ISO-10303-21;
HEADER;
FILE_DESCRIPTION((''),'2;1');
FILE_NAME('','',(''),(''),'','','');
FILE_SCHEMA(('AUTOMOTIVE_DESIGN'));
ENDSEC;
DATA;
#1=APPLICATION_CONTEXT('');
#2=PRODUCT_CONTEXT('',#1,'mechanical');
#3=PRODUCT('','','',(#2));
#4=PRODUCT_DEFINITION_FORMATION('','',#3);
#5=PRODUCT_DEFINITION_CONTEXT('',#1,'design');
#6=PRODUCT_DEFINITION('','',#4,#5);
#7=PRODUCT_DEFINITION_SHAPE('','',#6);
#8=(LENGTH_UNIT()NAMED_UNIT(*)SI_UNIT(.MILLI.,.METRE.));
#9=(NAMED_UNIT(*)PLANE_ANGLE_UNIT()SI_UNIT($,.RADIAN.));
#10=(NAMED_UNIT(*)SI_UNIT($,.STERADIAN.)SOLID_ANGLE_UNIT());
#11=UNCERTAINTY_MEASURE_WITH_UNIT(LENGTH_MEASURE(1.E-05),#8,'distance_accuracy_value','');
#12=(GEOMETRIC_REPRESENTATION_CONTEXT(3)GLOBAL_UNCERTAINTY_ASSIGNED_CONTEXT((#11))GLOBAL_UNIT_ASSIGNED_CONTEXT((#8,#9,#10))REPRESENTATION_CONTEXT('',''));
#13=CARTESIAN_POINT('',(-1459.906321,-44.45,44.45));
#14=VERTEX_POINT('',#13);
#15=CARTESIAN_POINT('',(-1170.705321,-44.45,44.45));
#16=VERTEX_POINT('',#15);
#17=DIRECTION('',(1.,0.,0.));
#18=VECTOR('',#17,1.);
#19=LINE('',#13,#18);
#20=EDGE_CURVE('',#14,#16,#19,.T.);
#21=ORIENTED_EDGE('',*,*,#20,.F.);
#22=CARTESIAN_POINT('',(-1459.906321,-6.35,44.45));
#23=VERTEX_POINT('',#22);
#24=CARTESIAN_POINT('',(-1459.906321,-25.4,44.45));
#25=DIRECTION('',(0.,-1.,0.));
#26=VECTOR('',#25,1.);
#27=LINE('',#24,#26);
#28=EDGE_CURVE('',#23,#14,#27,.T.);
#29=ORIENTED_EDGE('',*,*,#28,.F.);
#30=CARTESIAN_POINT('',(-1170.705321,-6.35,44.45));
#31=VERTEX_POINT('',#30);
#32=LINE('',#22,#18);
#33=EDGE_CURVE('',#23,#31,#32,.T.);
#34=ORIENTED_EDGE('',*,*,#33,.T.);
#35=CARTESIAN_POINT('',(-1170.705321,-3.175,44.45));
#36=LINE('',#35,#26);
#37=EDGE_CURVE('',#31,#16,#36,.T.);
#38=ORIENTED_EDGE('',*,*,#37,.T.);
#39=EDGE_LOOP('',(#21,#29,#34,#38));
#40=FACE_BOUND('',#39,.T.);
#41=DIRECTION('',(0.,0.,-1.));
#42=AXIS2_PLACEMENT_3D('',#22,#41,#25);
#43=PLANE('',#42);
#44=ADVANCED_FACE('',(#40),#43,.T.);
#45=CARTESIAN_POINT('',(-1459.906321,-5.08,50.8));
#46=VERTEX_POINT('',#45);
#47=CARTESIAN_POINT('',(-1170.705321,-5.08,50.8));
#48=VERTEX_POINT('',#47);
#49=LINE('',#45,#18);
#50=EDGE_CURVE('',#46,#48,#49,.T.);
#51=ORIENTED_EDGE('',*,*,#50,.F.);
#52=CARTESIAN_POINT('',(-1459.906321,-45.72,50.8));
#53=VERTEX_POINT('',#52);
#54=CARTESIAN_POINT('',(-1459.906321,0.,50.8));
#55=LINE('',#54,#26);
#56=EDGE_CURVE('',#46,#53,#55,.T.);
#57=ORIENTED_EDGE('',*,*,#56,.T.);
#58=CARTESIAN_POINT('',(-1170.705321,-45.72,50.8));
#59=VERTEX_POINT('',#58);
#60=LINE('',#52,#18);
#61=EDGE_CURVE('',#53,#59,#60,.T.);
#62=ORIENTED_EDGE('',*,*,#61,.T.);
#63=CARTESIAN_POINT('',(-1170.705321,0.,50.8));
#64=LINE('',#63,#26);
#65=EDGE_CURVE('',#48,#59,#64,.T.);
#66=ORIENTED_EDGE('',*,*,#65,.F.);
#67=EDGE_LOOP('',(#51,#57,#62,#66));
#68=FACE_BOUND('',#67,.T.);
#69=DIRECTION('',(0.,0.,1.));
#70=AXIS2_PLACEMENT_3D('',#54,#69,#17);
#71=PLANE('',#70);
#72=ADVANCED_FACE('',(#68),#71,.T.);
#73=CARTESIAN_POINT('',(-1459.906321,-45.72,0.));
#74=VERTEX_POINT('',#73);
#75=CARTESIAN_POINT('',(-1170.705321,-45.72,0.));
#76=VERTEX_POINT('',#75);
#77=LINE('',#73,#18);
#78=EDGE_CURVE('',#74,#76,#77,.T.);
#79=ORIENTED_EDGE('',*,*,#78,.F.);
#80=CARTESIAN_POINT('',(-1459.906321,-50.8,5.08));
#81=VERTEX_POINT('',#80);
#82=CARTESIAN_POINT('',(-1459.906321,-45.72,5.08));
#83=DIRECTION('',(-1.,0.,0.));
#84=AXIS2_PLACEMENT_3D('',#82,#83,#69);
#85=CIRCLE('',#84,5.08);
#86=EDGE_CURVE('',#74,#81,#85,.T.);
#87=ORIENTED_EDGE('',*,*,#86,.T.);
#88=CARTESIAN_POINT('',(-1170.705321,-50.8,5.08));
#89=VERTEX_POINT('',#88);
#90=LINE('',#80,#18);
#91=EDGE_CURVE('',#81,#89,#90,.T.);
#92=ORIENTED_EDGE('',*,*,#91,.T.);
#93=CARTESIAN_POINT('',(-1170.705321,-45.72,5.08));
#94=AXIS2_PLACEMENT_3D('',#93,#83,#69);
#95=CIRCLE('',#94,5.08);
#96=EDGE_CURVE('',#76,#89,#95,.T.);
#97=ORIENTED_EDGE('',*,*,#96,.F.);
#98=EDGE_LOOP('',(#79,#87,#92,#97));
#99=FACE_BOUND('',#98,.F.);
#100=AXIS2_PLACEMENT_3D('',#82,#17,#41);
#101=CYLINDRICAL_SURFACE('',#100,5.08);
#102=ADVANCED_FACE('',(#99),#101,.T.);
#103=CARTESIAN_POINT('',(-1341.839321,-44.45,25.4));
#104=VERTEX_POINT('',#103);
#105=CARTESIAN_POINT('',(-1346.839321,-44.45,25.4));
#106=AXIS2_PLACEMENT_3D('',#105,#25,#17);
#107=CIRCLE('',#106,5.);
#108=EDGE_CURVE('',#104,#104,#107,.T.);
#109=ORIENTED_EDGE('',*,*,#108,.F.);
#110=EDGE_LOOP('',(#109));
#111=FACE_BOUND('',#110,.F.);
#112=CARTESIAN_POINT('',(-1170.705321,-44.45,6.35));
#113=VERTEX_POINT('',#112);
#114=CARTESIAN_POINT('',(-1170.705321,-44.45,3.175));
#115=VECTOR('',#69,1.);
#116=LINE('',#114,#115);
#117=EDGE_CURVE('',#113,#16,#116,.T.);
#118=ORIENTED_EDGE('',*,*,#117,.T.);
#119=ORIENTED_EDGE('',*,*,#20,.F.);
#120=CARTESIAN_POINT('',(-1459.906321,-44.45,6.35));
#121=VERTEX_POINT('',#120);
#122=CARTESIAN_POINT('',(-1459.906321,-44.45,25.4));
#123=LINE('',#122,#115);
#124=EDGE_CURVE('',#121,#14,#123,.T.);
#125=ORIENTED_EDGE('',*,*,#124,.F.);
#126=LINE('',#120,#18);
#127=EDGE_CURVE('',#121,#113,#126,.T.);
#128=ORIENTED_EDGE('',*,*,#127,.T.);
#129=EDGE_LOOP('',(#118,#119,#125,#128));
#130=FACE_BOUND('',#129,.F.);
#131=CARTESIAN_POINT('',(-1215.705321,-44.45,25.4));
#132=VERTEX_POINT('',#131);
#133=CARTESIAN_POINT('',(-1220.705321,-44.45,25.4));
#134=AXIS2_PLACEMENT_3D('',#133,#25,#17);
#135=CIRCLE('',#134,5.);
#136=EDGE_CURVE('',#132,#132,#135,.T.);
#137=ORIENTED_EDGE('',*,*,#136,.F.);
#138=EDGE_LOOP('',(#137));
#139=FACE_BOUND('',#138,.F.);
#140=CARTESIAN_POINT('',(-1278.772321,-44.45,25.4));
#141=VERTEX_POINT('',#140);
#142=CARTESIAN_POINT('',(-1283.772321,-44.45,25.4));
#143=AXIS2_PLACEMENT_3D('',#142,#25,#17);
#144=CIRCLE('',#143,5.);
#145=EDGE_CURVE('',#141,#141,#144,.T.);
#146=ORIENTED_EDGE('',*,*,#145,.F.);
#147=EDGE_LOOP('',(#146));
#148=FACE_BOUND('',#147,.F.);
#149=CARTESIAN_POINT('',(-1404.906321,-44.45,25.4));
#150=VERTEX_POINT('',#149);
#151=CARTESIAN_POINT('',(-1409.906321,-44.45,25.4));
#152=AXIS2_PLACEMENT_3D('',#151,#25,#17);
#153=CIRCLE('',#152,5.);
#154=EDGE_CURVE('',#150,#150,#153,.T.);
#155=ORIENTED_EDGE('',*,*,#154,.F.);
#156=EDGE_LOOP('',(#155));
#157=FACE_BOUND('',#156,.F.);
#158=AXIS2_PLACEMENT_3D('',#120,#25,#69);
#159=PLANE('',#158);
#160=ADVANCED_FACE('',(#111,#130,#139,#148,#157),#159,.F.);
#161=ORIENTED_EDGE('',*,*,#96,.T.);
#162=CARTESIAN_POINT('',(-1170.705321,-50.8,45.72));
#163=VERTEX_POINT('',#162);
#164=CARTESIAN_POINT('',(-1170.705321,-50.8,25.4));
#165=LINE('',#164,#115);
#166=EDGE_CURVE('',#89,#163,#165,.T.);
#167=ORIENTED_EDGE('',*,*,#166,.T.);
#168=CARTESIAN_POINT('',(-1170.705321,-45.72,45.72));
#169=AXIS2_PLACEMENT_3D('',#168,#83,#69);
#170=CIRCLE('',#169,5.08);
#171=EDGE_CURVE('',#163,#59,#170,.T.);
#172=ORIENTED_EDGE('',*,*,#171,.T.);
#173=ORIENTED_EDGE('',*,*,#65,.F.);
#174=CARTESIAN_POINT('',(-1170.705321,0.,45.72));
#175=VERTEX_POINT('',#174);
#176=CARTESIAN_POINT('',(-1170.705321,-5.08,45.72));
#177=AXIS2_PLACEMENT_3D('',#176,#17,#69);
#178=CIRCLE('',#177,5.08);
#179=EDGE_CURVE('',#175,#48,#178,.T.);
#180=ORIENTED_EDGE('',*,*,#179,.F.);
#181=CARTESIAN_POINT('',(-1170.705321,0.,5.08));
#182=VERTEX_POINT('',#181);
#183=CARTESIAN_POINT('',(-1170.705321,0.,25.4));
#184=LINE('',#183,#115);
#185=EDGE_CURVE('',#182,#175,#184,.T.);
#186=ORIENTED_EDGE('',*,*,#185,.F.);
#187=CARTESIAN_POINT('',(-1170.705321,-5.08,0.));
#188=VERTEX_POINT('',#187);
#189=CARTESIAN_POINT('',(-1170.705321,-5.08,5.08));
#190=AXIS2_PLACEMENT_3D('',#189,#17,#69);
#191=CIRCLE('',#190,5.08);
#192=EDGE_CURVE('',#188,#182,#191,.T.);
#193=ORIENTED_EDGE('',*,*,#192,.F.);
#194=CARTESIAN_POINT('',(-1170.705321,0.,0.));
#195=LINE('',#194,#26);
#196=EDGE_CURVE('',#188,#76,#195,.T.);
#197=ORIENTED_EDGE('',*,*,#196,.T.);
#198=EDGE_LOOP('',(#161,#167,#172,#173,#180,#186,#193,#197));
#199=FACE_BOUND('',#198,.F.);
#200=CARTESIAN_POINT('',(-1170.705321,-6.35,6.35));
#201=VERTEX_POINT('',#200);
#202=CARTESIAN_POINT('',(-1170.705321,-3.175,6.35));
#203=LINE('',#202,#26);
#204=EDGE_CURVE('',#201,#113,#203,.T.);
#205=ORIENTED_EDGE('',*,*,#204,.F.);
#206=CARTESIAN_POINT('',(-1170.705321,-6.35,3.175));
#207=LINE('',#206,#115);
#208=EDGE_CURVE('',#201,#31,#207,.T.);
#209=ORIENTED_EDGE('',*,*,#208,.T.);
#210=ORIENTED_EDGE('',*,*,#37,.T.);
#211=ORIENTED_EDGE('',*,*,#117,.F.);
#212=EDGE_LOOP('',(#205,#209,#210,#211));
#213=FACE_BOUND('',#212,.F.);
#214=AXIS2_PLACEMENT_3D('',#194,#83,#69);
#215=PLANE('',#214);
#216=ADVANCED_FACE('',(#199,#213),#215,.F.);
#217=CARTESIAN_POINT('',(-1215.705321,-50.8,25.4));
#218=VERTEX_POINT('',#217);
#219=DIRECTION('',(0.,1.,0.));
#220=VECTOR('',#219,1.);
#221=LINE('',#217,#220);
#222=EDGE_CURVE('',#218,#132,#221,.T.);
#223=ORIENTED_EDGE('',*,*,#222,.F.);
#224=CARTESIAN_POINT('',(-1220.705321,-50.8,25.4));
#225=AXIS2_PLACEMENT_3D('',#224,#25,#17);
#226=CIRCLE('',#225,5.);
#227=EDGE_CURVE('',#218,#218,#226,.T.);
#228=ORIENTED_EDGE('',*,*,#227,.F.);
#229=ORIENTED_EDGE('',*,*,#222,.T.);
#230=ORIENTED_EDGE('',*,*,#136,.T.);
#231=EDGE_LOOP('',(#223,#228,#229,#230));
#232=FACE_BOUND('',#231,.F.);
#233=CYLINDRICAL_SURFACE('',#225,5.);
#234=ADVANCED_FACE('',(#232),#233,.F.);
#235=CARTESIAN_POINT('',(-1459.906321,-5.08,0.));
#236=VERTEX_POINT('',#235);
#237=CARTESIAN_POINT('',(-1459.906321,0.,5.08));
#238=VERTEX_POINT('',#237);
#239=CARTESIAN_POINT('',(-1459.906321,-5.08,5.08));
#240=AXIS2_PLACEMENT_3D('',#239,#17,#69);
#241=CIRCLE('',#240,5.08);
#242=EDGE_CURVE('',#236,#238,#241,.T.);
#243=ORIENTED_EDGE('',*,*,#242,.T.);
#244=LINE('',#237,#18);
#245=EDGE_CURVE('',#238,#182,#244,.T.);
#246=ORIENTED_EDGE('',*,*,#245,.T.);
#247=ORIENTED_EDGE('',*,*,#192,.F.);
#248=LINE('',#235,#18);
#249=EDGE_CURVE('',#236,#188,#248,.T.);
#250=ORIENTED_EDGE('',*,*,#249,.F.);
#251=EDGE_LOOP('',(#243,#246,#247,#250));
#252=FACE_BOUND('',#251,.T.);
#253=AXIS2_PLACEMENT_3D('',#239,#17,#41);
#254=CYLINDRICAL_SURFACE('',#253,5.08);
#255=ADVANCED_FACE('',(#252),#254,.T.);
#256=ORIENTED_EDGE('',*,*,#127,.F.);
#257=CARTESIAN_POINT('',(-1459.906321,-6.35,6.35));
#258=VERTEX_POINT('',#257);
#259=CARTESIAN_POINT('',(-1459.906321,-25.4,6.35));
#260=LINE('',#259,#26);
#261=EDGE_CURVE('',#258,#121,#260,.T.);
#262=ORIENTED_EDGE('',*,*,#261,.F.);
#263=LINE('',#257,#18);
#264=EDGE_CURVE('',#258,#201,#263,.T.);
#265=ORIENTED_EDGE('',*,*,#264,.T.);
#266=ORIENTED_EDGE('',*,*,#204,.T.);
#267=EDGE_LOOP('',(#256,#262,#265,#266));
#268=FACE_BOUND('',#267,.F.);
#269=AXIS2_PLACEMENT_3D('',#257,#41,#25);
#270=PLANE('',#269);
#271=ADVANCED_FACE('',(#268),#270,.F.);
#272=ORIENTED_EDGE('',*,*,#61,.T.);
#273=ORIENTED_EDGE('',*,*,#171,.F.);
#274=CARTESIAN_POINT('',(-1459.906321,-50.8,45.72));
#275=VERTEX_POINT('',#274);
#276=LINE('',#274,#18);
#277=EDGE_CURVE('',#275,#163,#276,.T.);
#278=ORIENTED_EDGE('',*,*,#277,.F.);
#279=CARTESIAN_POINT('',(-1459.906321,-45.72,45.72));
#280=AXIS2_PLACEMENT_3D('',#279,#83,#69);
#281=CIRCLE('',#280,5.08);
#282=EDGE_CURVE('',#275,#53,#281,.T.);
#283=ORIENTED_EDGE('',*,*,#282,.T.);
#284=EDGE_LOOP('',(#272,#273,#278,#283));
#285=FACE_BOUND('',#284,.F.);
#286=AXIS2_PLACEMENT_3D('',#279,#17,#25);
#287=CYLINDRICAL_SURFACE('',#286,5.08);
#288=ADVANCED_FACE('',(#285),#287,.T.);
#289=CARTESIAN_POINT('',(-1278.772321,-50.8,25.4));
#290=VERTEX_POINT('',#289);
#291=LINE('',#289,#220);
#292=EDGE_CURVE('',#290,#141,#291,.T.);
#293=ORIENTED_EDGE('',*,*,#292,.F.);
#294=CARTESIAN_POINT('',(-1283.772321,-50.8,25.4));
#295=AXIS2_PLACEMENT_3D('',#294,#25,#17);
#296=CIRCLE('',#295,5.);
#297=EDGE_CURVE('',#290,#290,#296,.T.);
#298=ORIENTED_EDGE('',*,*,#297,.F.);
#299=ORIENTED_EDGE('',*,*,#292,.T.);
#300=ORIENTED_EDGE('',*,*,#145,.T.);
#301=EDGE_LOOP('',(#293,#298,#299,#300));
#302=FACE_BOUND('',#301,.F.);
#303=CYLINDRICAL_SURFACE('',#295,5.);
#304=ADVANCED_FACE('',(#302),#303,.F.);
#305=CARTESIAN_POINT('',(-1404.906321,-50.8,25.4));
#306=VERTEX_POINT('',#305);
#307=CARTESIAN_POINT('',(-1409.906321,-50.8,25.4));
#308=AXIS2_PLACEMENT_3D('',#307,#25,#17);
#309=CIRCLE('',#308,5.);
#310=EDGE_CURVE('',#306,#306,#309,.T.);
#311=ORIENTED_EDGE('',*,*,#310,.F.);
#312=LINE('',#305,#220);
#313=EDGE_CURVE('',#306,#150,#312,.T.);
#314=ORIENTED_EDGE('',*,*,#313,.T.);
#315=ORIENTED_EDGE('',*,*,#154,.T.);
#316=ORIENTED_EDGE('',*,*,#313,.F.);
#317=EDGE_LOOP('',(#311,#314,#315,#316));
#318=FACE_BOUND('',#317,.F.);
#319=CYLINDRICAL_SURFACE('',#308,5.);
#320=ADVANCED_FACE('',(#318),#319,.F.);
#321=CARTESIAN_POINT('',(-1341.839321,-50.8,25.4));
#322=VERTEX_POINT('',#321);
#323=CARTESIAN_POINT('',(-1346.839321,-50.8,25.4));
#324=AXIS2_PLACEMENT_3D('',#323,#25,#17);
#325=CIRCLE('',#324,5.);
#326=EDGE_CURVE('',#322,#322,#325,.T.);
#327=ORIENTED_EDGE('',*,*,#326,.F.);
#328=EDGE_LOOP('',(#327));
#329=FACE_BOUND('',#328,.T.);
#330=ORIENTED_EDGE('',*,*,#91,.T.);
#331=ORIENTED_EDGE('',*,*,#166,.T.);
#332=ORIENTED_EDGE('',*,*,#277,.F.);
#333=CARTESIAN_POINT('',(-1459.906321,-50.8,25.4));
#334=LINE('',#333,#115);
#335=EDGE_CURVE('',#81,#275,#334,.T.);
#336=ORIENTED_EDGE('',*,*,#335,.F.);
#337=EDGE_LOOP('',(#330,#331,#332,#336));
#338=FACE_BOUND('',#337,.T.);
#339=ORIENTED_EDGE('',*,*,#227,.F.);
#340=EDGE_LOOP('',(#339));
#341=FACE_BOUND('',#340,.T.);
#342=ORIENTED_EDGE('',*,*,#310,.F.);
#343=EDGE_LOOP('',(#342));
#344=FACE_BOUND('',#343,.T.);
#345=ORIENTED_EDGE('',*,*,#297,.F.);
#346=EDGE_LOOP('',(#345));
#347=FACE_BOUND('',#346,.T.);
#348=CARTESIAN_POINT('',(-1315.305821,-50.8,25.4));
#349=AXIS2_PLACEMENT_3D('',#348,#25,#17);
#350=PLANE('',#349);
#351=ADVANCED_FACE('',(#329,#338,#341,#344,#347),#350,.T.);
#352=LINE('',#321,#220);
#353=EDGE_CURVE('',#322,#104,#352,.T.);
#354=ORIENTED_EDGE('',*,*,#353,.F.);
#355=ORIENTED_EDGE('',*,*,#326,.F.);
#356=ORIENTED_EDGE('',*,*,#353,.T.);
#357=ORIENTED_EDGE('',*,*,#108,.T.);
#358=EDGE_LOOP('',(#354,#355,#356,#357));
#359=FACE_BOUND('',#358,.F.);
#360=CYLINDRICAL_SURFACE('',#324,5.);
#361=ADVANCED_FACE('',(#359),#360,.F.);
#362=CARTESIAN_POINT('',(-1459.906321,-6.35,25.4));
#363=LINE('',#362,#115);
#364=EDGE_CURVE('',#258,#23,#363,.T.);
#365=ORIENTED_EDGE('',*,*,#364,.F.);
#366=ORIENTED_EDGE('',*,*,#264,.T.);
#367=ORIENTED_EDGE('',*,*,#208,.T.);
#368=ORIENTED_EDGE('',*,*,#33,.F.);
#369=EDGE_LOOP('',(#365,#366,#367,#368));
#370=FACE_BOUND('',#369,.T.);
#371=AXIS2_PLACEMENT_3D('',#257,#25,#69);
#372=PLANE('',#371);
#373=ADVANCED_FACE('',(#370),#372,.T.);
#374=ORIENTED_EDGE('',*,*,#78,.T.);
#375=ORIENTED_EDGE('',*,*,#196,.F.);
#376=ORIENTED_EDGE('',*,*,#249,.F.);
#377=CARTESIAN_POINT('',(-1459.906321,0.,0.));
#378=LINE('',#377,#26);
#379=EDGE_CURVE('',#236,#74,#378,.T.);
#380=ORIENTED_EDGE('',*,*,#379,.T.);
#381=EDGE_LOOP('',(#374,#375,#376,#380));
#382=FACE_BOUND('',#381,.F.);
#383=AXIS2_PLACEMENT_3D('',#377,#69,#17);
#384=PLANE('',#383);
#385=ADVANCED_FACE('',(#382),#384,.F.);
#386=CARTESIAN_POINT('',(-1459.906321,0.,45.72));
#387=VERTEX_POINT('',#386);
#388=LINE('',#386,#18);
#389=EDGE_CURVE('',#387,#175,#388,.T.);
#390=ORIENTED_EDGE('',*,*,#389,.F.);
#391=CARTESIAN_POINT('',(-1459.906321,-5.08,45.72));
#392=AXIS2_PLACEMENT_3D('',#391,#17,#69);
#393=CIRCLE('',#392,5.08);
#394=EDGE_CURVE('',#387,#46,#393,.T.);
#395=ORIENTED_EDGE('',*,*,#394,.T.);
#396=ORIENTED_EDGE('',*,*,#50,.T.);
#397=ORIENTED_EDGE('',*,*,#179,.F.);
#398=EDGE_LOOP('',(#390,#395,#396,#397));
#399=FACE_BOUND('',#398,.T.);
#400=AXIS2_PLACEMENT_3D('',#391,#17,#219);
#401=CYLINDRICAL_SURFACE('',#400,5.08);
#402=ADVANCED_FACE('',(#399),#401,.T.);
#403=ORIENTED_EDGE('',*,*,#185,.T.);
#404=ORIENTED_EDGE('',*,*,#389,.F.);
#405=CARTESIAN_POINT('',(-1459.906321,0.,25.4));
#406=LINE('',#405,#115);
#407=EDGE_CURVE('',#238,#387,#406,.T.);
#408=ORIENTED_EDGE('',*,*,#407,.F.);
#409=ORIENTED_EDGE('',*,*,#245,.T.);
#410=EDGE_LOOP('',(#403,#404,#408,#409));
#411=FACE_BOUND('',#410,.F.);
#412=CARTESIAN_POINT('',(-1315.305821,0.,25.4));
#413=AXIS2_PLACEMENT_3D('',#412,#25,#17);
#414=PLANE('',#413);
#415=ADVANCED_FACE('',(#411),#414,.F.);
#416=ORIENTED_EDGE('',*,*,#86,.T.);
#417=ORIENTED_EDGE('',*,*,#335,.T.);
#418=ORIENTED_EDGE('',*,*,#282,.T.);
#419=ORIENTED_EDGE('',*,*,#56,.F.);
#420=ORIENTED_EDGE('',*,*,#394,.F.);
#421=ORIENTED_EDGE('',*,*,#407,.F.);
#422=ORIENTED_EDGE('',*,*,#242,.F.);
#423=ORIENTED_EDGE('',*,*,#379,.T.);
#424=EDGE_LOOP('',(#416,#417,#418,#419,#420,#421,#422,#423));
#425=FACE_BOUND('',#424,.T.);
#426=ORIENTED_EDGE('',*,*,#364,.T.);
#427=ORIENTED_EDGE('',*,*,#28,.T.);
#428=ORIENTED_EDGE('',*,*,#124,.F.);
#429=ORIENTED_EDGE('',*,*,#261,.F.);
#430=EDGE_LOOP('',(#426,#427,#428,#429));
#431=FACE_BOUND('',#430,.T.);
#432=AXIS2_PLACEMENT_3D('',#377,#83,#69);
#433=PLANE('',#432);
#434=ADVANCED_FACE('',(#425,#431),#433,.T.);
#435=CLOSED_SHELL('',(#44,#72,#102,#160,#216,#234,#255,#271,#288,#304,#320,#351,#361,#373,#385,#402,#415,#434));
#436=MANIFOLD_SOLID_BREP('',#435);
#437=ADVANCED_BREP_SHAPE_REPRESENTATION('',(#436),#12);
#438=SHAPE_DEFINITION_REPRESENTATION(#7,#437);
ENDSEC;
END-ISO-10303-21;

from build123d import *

# Parameters (mm, degrees)
F0_W     = 289.201
F0_H     = 50.8
F1_DEPTH = 50.8
F2_R     = 5
F3_DEPTH = 25.4
F4_W     = 38.1
F4_H     = 38.1
F5_DEPTH = 289.202
F6_R     = 5.08


with BuildPart() as f1:
    # F0 (on Front) → F1 (new body)
    with BuildSketch(Plane.XZ):
        with Locations((-1315.305821, 25.4)):
            Rectangle(F0_W, F0_H)
    extrude(amount=F1_DEPTH)

    # F2 (on face) → F3 (cut)
    with BuildSketch(Plane.XZ.offset(50.8)):
        with Locations((-1346.839321, 25.4)):
            Circle(F2_R)
        with Locations((-1220.705321, 25.4)):
            Circle(F2_R)
        with Locations((-1283.772321, 25.4)):
            Circle(F2_R)
        with Locations((-1409.906321, 25.4)):
            Circle(F2_R)
    extrude(amount=-F3_DEPTH, mode=Mode.SUBTRACT)

    # F4 (on face) → F5 (cut, through all)
    with BuildSketch(Plane(origin=(-1459.906321, 0, 0), x_dir=(0, -1, 0), z_dir=(-1, 0, 0))):
        with Locations((25.4, 25.4)):
            Rectangle(F4_W, F4_H)
    extrude(amount=-F5_DEPTH, mode=Mode.SUBTRACT)

    # F6
    f6_edges = [f1.edges().sort_by_distance(p)[0] for p in [
        (-1315.305821, -50.8, 50.8),
        (-1315.305821, 0, 50.8),
        (-1315.305821, -50.8, 0),
        (-1315.305821, 0, 0),
    ]]
    fillet(f6_edges, radius=F6_R)


solid = f1.part
